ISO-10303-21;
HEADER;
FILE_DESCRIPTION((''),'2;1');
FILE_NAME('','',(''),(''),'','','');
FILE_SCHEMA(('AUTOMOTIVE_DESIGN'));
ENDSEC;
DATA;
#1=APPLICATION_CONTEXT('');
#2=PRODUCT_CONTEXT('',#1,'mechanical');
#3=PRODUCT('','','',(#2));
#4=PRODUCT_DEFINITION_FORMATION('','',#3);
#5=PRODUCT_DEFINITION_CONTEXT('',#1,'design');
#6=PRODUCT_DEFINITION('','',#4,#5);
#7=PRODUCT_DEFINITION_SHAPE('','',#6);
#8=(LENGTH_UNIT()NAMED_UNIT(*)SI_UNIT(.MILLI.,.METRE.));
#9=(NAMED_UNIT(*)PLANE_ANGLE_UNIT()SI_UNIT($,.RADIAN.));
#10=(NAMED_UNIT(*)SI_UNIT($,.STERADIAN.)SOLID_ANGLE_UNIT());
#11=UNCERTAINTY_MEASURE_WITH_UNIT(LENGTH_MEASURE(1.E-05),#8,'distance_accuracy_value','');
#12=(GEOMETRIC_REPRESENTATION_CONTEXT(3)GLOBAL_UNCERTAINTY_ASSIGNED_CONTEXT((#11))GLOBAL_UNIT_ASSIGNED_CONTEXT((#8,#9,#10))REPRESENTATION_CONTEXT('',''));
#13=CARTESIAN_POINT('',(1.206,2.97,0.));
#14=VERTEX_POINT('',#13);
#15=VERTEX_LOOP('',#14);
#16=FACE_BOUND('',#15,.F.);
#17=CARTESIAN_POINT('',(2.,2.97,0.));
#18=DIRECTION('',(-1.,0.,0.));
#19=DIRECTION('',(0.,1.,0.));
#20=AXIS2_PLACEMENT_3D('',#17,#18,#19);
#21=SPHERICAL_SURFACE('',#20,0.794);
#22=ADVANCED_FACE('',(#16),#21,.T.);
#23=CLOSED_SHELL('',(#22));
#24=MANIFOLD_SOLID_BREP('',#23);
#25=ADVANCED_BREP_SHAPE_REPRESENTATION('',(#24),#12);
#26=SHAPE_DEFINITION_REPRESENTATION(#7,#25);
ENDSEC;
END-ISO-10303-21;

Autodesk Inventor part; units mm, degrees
sketch "Sketch_6" plane through (0, 0, 0) normal (0, 0, 1) x (1, 0, 0)
  line L0 (2.794, 2.97) -> (1.206, 2.97)
  arc A0 (2.794, 2.97) -> (1.206, 2.97) centre (2, 2.97) ccw
  line L1 (2.794, 2.97) -> (1.206, 2.97)
revolve "Revolution1" add sketch "Sketch_6" angle 360 about axis through (2.794, 2.97, 0) along (1, 0, 0)
ref_plane "ball1_XY" through (2, 2.97, 0) normal (1, 0, 0) x (0, 0, -1)
ref_plane "ball1_YZ" through (2, 2.97, 0) normal (0, 0, -1) x (0, 1, 0)
ref_plane "ball1_ZX" through (2, 2.97, 0) normal (0, 1, 0) x (1, 0, 0)
properties part number "SKF_623-2RS1_ball1"
